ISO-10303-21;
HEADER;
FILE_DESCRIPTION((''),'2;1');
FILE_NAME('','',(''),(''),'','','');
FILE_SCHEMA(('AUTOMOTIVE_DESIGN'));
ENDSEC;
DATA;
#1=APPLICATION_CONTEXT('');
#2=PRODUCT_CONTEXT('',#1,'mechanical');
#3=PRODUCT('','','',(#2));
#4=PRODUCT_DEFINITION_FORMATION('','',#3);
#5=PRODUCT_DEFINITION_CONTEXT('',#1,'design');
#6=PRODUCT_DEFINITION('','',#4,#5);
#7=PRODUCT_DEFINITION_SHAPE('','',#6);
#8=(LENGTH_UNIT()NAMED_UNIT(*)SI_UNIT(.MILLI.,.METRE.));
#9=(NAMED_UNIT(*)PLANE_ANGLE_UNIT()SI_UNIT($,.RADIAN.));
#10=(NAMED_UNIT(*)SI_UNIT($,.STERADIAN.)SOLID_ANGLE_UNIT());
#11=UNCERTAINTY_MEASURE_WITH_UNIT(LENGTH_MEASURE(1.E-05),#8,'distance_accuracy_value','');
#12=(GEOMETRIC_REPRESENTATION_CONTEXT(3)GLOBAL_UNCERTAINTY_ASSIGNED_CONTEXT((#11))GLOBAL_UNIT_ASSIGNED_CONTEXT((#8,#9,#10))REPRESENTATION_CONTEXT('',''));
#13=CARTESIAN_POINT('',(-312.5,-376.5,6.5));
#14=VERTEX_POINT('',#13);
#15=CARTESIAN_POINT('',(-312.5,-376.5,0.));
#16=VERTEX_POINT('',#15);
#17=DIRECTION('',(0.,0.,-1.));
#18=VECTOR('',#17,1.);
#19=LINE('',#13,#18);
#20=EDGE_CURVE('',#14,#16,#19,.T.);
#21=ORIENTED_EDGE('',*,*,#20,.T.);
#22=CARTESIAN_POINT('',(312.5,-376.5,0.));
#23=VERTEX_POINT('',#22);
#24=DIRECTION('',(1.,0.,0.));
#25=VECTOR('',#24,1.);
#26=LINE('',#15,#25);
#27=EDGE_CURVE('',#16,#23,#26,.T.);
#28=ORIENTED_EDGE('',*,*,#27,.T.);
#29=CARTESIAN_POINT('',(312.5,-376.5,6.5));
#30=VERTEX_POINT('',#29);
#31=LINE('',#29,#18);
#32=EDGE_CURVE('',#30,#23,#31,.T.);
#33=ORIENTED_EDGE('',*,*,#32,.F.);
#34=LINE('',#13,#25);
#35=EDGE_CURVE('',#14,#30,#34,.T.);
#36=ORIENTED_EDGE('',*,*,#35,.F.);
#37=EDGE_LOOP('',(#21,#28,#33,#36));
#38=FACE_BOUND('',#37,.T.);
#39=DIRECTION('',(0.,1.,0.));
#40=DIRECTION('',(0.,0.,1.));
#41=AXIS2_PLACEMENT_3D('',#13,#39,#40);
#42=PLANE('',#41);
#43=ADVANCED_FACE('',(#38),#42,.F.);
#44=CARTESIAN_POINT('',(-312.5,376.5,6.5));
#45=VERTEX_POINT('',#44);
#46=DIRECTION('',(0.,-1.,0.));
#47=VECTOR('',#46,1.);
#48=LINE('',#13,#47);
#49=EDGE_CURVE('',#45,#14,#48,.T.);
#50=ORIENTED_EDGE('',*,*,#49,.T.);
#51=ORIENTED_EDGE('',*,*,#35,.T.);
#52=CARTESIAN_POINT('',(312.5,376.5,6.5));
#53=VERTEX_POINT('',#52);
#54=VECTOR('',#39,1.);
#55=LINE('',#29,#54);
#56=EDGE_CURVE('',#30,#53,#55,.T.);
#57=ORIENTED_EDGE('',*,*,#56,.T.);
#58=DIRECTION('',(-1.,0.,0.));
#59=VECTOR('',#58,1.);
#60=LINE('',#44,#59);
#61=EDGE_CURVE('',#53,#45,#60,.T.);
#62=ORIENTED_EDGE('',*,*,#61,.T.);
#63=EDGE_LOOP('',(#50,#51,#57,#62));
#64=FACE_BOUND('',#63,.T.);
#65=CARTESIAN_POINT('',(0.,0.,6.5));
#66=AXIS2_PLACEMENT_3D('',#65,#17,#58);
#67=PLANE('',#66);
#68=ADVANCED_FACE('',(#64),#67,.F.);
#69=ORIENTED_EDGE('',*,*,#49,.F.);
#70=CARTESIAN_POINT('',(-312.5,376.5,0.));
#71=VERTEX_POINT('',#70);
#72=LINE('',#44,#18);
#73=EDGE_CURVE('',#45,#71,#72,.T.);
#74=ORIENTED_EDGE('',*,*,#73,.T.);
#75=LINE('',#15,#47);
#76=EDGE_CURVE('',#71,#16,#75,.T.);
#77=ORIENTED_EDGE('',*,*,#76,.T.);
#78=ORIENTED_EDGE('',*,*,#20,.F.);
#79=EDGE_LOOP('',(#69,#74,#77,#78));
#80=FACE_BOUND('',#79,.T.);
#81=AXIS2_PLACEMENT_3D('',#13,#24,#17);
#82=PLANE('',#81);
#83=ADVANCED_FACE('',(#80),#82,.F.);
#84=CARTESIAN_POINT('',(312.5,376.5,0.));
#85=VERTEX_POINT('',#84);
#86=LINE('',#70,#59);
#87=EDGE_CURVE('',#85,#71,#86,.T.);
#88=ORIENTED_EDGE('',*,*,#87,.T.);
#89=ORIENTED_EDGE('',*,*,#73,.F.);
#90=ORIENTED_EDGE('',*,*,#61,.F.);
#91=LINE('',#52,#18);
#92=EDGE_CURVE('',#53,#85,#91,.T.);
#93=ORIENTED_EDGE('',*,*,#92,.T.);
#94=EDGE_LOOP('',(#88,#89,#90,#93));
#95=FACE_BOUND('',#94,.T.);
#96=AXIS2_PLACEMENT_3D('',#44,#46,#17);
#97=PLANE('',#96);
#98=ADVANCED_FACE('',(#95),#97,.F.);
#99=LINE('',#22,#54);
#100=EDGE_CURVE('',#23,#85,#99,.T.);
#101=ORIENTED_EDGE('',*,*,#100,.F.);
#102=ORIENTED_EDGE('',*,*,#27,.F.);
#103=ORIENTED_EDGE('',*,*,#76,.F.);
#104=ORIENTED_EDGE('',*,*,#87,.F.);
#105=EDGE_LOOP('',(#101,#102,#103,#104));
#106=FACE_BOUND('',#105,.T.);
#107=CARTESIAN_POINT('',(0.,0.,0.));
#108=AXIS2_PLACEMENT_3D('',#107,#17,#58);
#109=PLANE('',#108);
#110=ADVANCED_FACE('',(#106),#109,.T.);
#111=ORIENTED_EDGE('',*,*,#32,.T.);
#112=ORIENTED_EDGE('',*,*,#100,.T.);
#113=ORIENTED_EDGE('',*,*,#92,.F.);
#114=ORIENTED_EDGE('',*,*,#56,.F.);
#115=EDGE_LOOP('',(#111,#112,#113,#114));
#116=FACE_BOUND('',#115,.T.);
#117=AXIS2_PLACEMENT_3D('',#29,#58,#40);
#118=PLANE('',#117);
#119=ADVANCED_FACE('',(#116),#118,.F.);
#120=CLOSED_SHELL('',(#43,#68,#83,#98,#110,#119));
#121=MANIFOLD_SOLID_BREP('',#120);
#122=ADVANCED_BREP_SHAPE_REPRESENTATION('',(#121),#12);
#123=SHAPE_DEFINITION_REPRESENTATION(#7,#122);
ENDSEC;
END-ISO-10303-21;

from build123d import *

# Parameters (mm, degrees)
ESQUISSE1_W        = 625
ESQUISSE1_H        = 753
BOSS_EXTRU_1_DEPTH = 6.5


with BuildPart() as part:
    # Esquisse1 → Boss.-Extru.1 (new body)
    with BuildSketch(Plane.XY):
        Rectangle(ESQUISSE1_W, ESQUISSE1_H)
    extrude(amount=BOSS_EXTRU_1_DEPTH)


solid = part.part
